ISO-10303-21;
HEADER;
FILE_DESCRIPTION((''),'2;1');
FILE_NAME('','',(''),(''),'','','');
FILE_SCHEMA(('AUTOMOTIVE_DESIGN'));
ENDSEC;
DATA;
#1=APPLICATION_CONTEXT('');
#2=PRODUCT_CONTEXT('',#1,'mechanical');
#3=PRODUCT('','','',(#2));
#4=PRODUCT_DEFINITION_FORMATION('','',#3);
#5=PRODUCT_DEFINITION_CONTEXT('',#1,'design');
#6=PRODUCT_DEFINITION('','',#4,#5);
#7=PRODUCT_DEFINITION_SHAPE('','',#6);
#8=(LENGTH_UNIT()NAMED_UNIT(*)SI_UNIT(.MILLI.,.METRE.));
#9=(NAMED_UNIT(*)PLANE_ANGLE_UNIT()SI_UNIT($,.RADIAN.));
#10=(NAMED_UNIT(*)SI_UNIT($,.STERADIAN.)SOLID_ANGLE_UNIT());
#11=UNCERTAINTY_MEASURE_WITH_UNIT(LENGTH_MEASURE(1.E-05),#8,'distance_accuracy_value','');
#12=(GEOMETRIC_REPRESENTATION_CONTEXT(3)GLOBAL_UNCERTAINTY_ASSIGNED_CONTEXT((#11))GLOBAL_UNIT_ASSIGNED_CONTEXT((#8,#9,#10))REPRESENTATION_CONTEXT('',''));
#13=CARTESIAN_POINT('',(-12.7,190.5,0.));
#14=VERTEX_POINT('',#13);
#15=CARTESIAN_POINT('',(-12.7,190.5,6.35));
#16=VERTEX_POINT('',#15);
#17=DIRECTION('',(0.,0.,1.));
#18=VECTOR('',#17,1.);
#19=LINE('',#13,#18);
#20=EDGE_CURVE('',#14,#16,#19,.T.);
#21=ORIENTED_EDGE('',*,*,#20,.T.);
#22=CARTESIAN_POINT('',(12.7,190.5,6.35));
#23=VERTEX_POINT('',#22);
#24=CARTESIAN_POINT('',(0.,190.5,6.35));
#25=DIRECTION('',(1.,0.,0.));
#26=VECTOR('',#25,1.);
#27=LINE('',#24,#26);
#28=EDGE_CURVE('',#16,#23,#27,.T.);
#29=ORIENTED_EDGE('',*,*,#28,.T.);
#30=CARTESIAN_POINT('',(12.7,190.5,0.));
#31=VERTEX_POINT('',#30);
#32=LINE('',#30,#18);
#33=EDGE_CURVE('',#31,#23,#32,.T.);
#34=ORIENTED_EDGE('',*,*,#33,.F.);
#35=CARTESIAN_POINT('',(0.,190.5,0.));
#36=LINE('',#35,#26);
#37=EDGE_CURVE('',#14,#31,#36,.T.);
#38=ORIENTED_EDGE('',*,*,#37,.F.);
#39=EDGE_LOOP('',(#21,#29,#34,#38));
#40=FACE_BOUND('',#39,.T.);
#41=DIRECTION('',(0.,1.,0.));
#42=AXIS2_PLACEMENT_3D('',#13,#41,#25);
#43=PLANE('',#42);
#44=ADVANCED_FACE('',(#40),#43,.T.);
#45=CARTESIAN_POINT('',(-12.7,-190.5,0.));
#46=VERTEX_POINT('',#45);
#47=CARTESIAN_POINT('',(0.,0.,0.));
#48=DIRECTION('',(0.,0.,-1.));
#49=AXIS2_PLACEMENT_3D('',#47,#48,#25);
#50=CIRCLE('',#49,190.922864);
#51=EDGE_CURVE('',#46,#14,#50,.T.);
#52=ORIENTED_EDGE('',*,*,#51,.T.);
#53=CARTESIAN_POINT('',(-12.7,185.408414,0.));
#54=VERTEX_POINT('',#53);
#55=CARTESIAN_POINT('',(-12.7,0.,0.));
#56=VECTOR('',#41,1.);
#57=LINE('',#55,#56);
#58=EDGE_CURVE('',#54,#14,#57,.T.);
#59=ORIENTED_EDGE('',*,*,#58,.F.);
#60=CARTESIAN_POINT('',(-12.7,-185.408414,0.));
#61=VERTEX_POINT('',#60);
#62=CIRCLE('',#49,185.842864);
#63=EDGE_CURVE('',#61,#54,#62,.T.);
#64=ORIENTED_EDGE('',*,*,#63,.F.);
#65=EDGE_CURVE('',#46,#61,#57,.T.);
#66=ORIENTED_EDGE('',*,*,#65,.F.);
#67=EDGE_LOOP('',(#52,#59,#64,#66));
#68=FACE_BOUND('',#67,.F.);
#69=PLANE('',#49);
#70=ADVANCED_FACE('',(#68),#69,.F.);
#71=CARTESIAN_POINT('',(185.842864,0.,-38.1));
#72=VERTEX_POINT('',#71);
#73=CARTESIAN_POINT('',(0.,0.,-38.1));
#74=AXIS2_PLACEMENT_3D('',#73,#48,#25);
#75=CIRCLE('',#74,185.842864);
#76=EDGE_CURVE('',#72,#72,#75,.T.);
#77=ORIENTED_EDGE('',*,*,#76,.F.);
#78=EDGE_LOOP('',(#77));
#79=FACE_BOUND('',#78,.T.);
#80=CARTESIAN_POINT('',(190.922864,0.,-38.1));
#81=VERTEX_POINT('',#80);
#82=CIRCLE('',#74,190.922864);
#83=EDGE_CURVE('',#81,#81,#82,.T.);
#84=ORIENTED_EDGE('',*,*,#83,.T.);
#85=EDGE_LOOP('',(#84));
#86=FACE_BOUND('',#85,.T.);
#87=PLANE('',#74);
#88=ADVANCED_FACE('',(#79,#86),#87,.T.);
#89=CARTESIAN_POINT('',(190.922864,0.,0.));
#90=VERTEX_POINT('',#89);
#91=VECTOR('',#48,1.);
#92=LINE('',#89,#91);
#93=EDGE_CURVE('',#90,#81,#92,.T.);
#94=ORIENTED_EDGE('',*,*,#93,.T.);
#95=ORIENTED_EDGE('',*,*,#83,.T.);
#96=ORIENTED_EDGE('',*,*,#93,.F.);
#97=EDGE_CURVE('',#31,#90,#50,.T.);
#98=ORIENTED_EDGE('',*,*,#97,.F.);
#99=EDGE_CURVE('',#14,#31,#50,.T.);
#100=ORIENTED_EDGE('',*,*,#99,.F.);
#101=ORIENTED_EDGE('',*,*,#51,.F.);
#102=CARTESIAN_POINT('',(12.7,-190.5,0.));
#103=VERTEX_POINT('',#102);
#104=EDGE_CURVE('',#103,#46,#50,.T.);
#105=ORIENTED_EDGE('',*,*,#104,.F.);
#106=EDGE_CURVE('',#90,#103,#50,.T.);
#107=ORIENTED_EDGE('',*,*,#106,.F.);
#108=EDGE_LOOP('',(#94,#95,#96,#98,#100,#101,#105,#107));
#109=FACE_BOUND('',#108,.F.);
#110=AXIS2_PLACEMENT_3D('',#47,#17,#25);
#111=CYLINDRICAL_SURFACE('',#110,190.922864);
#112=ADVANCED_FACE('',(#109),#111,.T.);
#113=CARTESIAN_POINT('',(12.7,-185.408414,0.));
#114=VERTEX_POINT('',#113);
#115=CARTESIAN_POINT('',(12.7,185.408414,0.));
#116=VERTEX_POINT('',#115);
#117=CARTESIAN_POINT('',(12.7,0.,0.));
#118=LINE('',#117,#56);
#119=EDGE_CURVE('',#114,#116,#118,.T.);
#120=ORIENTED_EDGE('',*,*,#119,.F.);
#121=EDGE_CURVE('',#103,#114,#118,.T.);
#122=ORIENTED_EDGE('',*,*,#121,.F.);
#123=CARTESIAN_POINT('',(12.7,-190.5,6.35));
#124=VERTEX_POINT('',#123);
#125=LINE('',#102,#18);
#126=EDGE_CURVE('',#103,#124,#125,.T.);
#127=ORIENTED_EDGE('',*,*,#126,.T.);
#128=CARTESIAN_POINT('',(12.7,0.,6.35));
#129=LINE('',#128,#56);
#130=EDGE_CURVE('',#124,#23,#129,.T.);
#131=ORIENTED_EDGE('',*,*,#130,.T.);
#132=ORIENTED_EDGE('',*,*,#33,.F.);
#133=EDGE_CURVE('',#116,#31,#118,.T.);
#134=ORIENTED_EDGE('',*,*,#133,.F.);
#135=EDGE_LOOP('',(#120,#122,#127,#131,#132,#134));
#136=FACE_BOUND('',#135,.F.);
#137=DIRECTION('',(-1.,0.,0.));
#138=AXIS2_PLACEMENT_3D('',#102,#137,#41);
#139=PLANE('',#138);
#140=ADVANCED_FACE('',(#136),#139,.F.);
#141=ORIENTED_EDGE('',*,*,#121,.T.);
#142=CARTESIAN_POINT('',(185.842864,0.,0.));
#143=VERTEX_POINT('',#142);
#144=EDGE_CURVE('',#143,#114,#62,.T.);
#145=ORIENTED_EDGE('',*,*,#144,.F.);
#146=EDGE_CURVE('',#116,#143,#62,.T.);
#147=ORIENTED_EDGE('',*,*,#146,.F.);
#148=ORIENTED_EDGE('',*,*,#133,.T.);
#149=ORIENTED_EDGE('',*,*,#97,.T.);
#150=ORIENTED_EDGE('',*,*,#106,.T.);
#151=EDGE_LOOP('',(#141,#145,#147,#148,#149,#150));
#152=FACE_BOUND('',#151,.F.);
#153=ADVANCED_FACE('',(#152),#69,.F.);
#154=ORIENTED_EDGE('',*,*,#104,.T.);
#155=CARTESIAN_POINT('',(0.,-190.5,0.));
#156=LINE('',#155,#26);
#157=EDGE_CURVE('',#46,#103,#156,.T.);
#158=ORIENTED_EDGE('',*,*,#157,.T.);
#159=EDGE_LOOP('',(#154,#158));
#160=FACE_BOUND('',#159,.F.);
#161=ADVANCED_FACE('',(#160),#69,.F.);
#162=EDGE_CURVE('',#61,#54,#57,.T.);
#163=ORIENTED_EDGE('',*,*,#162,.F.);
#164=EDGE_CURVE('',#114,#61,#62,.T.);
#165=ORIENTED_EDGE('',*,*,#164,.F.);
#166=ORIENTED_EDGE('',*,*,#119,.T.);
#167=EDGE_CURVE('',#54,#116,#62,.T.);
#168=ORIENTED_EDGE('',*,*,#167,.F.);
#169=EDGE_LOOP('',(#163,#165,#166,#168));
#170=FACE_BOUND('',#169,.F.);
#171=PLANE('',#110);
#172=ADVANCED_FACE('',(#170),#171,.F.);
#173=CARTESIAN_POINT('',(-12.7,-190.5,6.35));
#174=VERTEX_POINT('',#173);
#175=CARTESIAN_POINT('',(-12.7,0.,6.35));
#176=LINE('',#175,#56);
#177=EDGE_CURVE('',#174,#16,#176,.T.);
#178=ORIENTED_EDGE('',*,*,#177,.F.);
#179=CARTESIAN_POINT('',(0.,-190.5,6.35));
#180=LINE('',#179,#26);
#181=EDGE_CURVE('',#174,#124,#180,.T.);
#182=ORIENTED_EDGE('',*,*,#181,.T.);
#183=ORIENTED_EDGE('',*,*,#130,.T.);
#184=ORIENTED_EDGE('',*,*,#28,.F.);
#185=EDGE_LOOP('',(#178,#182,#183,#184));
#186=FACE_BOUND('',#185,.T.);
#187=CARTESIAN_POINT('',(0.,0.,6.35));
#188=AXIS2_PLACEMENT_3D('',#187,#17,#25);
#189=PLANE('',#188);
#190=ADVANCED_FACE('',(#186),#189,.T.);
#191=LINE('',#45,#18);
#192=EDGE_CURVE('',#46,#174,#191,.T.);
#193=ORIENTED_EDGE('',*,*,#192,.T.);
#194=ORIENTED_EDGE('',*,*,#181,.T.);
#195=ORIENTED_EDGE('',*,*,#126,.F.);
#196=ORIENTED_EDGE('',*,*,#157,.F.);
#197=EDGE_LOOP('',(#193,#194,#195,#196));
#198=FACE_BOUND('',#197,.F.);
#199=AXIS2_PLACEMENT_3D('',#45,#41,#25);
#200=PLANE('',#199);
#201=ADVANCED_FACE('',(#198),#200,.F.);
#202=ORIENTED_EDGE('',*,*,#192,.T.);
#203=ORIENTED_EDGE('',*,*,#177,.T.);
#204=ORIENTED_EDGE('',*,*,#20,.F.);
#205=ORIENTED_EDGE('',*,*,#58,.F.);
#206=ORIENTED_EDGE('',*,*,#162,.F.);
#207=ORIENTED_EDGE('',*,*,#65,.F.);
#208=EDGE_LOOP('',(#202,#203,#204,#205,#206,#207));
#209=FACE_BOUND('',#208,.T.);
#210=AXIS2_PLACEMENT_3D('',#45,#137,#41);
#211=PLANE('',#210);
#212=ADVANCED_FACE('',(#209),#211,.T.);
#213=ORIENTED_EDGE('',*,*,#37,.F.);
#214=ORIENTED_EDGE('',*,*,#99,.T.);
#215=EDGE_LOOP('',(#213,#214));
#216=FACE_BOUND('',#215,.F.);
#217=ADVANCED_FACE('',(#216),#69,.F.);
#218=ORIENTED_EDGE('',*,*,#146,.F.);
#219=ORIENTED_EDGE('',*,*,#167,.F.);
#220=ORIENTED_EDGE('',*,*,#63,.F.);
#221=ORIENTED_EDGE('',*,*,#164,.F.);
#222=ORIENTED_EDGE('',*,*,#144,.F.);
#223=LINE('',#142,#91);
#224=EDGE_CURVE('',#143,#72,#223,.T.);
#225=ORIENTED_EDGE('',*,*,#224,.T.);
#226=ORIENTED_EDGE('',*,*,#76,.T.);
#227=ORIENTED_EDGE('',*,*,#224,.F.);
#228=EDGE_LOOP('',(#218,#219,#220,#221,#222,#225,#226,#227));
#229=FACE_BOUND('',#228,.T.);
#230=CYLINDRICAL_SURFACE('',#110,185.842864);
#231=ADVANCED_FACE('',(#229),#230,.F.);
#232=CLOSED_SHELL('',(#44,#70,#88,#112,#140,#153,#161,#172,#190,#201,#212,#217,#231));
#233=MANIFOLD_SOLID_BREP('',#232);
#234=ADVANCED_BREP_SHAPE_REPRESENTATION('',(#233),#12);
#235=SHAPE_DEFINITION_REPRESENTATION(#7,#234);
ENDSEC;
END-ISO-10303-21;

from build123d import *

# Parameters (mm, degrees)
F0_W     = 25.4
F0_H     = 381
F1_DEPTH = 6.35
F2_R     = 190.922864
F2_R_2   = 185.842864
F3_DEPTH = 38.1


with BuildPart() as f1:
    # F0 (on Top) → F1 (new body)
    with BuildSketch(Plane.XY):
        Rectangle(F0_W, F0_H)
    extrude(amount=F1_DEPTH)

    # F2 (on face) → F3 (join)
    with BuildSketch(Plane(origin=(0, 0, 0), x_dir=(1, 0, 0), z_dir=(0, 0, -1))):
        Circle(F2_R)
        Circle(F2_R_2, mode=Mode.SUBTRACT)
    extrude(amount=F3_DEPTH)


solid = f1.part
